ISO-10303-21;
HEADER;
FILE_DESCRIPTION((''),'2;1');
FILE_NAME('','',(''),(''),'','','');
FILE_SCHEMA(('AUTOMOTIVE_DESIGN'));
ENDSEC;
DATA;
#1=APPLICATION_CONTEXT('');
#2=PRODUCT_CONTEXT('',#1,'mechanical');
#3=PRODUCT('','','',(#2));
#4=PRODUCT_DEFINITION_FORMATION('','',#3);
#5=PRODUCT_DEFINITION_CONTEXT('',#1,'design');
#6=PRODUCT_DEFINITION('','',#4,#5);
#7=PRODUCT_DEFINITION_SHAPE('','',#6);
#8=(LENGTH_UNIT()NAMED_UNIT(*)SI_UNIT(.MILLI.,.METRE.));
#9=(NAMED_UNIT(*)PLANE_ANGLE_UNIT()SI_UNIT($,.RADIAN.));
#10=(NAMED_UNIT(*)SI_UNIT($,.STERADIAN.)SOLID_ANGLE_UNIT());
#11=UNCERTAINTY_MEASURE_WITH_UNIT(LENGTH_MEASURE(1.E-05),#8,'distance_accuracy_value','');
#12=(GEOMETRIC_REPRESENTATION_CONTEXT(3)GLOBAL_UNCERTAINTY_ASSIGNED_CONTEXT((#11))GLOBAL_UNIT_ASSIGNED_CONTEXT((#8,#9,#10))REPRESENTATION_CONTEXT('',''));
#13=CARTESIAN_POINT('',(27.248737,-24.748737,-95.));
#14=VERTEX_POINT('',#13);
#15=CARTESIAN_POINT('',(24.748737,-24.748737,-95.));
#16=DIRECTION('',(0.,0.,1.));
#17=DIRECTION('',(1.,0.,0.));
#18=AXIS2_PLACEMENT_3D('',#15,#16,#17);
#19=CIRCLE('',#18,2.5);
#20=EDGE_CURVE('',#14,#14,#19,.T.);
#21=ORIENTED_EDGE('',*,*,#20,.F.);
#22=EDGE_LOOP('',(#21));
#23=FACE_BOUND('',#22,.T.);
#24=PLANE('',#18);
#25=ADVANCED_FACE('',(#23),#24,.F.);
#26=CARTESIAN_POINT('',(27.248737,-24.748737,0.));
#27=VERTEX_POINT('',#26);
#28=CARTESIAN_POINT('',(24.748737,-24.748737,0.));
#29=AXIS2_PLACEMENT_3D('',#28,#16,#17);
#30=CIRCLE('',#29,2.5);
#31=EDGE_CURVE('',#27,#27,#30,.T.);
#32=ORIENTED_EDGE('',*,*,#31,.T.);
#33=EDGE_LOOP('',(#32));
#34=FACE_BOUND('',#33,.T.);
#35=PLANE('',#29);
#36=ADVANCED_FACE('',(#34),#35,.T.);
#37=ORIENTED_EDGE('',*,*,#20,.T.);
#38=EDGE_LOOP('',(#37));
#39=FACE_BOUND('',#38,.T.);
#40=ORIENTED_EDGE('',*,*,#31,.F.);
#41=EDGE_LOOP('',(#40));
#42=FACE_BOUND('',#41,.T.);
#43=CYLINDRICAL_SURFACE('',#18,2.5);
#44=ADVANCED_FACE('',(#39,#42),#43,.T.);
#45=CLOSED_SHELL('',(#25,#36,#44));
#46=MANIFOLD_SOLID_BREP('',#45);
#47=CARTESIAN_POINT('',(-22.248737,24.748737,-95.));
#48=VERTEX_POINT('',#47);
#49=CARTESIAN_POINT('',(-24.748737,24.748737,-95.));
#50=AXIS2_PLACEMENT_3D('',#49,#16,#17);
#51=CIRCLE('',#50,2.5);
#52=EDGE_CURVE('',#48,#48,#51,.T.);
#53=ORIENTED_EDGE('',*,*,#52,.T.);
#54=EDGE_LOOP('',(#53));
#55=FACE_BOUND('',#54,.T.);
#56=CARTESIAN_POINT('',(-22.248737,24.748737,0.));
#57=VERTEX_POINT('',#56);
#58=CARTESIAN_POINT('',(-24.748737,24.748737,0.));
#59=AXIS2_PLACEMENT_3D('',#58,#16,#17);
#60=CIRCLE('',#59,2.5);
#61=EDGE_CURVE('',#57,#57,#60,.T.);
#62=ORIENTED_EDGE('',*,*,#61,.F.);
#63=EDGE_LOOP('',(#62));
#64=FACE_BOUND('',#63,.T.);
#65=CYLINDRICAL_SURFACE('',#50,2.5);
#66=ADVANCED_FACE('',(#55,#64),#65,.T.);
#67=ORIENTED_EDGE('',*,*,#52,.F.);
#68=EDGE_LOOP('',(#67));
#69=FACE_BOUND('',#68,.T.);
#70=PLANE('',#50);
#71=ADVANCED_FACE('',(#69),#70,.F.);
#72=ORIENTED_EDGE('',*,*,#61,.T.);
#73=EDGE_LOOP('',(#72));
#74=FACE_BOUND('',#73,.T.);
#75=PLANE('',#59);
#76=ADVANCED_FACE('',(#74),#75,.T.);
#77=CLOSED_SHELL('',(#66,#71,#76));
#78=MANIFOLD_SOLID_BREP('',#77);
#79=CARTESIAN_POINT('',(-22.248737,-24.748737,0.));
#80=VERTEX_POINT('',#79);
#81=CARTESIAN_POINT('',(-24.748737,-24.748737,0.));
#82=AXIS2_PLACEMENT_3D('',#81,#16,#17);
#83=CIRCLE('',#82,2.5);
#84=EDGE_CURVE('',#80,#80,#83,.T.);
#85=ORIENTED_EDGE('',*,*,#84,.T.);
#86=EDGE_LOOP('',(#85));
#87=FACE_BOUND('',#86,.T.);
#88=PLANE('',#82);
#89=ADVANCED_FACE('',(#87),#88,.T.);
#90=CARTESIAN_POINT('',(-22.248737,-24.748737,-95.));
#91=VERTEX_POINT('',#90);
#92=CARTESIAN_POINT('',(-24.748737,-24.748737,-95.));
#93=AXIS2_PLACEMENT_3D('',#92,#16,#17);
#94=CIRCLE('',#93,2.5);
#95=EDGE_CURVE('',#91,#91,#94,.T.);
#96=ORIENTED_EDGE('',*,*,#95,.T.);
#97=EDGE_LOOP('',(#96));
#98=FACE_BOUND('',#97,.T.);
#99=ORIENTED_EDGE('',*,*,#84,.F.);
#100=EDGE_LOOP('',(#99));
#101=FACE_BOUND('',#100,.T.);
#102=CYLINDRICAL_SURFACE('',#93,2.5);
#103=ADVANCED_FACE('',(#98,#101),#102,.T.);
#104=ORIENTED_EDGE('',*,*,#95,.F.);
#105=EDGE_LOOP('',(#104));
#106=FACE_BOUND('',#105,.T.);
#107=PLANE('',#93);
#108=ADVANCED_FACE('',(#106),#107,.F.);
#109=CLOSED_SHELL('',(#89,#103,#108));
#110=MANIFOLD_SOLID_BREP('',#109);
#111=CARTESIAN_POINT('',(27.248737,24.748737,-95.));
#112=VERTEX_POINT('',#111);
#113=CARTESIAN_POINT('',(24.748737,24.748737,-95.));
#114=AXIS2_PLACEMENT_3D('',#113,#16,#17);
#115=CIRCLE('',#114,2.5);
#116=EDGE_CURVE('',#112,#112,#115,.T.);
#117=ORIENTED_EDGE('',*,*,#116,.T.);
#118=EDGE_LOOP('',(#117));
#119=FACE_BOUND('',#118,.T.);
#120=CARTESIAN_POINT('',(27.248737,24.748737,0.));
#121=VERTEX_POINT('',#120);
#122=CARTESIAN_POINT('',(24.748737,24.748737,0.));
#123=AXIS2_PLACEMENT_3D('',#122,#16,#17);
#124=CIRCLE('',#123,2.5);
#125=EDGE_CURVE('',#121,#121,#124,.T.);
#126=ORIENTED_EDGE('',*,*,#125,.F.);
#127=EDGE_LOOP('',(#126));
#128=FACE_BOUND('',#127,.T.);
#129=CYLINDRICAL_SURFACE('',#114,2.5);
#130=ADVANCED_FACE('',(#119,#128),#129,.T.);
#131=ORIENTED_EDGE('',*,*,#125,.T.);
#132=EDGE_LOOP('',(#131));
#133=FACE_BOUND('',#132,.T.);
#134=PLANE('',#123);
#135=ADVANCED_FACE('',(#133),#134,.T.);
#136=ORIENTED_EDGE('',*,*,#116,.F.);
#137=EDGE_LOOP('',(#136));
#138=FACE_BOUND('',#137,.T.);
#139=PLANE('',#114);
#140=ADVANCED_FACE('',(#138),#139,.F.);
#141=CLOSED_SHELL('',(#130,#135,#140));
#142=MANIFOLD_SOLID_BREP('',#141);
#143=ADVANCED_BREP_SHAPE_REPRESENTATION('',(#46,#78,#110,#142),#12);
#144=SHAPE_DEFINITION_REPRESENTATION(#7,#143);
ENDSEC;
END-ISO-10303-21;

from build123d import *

# Parameters (mm, degrees)
SKETCH_1_R        = 2.5
EXTRUDE_1_DEPTH   = 95
EXTRUDE_1_2_DEPTH = 95
EXTRUDE_1_3_DEPTH = 95
EXTRUDE_1_4_DEPTH = 95


with BuildPart() as part:
    # 草图1 → 凸台-拉伸1 (new body)
    with BuildSketch(Plane.XY):
        with Locations((24.748737342, 24.748737342)):
            Circle(SKETCH_1_R)
    extrude(amount=-EXTRUDE_1_DEPTH)


with BuildPart() as body_2:
    # 草图1 → Extrude 1 2 (new body)
    with BuildSketch(Plane.XY):
        with Locations((-24.748737342, 24.748737342)):
            Circle(SKETCH_1_R)
    extrude(amount=-EXTRUDE_1_2_DEPTH)


with BuildPart() as body_3:
    # 草图1 → Extrude 1 3 (new body)
    with BuildSketch(Plane.XY):
        with Locations((-24.748737342, -24.748737342)):
            Circle(SKETCH_1_R)
    extrude(amount=-EXTRUDE_1_3_DEPTH)


with BuildPart() as body_4:
    # 草图1 → Extrude 1 4 (new body)
    with BuildSketch(Plane.XY):
        with Locations((24.748737342, -24.748737342)):
            Circle(SKETCH_1_R)
    extrude(amount=-EXTRUDE_1_4_DEPTH)


solid = Compound([part.part, body_2.part, body_3.part, body_4.part])
